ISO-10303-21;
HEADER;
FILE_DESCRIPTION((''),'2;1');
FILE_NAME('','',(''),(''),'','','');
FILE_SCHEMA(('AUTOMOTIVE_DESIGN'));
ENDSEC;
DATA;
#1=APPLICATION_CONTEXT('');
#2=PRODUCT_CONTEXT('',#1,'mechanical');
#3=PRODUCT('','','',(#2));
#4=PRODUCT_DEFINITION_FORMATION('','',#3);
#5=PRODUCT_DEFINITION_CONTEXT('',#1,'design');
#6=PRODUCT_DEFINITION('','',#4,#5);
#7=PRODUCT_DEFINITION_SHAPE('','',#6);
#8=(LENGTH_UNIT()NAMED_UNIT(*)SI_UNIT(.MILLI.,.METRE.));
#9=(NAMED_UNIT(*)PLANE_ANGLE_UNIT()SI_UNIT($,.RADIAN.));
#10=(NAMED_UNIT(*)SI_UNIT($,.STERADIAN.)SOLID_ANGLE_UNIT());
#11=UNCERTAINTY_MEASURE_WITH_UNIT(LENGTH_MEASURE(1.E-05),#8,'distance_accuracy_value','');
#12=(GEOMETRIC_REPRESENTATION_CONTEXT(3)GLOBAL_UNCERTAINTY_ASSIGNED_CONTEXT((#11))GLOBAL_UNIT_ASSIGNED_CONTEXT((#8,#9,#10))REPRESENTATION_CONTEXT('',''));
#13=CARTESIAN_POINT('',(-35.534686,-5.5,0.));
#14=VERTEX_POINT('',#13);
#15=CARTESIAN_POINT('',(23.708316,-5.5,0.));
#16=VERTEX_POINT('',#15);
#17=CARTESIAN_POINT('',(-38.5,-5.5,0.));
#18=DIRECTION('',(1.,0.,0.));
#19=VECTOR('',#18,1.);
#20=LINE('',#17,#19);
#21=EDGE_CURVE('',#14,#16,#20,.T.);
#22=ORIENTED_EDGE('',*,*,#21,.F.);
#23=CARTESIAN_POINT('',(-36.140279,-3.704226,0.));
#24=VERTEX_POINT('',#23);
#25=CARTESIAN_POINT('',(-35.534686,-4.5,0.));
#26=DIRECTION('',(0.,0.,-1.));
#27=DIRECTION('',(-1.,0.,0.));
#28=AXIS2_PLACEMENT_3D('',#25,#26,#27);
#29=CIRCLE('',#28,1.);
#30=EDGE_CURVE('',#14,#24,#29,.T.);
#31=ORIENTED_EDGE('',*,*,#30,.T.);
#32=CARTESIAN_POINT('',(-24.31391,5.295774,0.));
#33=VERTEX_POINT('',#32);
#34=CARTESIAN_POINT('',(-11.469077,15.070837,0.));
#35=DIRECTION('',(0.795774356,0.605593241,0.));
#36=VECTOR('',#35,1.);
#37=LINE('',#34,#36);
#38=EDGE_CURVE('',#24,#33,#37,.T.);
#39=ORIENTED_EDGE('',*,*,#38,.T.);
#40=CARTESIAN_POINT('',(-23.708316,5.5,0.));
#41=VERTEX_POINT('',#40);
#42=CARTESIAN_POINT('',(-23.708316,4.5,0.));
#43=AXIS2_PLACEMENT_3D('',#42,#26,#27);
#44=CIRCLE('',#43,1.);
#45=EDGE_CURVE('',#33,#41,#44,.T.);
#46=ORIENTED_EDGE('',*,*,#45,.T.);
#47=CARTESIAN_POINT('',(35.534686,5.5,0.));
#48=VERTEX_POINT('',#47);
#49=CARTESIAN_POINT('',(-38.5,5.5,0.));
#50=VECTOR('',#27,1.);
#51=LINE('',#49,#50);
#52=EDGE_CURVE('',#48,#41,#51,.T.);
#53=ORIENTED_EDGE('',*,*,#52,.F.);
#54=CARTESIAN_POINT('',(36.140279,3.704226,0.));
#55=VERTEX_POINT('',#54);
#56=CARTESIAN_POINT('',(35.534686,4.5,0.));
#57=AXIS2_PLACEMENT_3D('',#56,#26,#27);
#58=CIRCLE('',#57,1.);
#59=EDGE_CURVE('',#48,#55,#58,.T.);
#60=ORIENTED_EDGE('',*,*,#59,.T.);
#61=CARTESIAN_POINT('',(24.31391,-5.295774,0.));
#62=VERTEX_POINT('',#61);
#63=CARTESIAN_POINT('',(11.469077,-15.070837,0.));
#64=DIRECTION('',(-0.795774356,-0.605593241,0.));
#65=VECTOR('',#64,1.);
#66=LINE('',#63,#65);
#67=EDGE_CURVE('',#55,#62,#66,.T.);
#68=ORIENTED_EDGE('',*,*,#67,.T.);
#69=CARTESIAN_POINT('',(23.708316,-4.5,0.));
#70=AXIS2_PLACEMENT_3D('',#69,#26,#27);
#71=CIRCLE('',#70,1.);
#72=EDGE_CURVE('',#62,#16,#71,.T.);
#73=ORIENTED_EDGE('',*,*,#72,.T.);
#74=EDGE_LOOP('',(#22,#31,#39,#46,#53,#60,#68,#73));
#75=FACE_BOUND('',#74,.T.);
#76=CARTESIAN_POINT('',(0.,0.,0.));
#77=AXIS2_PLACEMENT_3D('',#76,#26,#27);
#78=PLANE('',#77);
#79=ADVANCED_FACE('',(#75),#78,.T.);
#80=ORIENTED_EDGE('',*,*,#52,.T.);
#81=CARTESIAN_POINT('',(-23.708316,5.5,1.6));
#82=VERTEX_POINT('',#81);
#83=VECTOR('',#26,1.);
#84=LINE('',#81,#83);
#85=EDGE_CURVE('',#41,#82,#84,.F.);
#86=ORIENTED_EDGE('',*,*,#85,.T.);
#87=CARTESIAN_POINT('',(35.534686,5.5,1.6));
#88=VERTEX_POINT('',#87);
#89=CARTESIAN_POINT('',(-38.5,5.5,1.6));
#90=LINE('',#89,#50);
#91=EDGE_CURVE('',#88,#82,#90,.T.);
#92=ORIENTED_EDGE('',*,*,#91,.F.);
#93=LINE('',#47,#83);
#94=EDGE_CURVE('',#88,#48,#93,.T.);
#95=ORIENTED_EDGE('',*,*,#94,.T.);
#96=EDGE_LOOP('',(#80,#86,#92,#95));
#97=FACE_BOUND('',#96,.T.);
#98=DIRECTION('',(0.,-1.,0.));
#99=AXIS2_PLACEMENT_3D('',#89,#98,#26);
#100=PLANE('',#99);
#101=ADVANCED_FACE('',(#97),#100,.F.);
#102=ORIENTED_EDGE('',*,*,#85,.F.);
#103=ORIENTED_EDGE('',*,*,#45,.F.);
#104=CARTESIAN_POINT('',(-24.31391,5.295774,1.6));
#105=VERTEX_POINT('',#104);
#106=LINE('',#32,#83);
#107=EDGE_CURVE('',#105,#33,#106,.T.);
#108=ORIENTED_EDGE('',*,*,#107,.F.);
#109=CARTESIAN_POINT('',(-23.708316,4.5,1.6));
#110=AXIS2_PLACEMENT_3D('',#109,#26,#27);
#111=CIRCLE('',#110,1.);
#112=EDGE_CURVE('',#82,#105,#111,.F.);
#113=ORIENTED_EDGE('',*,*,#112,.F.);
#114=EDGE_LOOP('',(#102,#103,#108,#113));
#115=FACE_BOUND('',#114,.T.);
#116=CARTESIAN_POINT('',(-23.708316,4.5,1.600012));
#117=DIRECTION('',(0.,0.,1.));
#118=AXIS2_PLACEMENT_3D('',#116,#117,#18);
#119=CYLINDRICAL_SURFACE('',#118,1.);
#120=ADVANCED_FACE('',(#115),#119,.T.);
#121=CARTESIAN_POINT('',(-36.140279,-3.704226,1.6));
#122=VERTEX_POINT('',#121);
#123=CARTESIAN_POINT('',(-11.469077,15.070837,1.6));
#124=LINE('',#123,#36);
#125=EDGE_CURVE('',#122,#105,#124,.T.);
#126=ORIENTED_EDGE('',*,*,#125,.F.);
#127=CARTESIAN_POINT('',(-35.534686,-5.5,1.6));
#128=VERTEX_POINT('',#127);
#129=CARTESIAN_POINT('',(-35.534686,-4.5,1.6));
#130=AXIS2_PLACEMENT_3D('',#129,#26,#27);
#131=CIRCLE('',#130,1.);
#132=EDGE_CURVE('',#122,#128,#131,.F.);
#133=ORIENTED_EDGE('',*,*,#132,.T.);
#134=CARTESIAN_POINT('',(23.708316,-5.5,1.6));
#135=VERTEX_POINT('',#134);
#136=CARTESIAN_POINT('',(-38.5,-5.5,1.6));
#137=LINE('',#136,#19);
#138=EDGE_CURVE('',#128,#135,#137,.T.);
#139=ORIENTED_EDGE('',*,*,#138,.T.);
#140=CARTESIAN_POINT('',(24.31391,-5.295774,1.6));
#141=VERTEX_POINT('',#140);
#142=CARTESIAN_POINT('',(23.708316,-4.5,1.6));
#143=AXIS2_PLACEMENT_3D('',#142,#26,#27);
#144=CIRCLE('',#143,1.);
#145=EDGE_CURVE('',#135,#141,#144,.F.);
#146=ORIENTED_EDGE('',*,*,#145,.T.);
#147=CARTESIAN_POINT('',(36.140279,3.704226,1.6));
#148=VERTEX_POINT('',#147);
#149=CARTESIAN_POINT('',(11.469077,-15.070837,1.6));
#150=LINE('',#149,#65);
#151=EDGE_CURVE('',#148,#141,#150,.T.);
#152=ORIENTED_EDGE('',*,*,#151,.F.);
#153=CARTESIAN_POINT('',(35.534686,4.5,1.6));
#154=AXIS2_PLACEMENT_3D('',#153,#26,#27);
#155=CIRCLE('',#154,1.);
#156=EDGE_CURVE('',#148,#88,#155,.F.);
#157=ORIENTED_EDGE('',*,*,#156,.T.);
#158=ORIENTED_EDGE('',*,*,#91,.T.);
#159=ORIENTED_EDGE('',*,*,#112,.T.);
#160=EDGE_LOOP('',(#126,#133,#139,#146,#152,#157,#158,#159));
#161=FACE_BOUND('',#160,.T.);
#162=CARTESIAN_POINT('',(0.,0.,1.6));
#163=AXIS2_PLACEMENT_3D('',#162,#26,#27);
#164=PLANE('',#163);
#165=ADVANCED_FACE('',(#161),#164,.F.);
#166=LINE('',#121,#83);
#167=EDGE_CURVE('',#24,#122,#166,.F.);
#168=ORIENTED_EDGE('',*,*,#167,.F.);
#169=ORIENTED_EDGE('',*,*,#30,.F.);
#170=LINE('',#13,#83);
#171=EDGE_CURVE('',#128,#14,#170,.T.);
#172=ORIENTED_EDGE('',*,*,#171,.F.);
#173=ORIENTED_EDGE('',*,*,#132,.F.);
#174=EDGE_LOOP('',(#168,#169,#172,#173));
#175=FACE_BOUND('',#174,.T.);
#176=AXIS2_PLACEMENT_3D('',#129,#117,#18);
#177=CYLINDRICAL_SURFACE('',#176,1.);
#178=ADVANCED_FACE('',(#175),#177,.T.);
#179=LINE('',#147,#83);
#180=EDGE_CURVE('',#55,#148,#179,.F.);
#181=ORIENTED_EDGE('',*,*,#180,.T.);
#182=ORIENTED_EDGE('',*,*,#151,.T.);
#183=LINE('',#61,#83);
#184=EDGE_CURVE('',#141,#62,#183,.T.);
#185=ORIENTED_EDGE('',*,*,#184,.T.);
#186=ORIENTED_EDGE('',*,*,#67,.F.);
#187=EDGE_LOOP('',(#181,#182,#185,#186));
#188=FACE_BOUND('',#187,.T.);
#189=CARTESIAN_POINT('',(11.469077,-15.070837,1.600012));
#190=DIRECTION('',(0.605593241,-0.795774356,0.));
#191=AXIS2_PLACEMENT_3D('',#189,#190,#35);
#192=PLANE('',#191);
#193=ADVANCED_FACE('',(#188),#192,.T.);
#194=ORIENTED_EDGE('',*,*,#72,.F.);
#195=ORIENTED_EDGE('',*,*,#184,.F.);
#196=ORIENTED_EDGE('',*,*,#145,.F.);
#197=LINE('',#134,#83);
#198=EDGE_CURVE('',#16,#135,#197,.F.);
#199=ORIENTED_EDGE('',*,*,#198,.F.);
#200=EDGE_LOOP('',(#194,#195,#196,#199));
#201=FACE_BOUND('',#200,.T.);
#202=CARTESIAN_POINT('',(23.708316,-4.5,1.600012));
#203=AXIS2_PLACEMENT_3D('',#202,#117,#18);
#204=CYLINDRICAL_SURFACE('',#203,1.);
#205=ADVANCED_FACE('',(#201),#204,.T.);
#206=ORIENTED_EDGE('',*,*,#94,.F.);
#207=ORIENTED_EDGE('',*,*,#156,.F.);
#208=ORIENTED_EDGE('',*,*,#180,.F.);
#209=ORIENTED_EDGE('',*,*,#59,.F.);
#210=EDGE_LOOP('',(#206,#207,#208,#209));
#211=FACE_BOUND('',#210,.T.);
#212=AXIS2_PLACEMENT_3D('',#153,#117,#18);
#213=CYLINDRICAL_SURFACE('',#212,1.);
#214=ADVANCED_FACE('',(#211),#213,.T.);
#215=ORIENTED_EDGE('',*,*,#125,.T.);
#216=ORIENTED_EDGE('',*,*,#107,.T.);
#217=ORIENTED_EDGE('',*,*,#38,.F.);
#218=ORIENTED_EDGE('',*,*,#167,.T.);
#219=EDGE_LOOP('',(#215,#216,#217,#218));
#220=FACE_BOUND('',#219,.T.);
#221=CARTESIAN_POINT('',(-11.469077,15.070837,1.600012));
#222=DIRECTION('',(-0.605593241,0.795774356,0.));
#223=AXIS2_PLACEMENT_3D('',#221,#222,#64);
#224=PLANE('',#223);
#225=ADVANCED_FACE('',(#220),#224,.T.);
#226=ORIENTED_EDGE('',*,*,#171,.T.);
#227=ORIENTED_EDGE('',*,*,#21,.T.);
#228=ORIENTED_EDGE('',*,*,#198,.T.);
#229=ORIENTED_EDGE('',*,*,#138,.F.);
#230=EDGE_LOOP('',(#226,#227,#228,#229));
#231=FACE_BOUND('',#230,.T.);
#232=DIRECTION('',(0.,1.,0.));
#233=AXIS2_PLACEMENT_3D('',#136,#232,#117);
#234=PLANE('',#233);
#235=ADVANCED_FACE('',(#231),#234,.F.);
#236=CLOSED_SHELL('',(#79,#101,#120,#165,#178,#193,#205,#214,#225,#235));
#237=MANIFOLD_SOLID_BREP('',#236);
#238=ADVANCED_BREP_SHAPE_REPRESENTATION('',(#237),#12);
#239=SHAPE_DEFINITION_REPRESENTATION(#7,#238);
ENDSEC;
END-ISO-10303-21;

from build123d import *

# Parameters (mm, degrees)
SKETCH1_W               = 77
SKETCH1_H               = 11
BOSS_EXTRUDE1_DEPTH     = 1.6
CUT_EXTRUDE1_DEPTH      = 39.923771657
CUT_EXTRUDE1_DEPTH_BACK = 10
FILLET2_R               = 1


with BuildPart() as part:
    # Sketch1 → Boss-Extrude1 (new body)
    with BuildSketch(Plane.XY):
        Rectangle(SKETCH1_W, SKETCH1_H)
    extrude(amount=BOSS_EXTRUDE1_DEPTH)

    # Sketch2 → Cut-Extrude1 (cut, two sides: drawn at the far end of the back side and taken through both)
    with BuildSketch(Plane.XY.offset(1.6).offset(-CUT_EXTRUDE1_DEPTH_BACK)):
        Polygon((38.5, -5.5), (38.5, 5.5), (24.04554885, -5.5), align=None)
        Polygon((-38.5, -5.5), (-24.04554885, 5.5), (-38.5, 5.5), align=None)
    extrude(amount=CUT_EXTRUDE1_DEPTH + CUT_EXTRUDE1_DEPTH_BACK, mode=Mode.SUBTRACT)

    # Fillet2
    fillet2_edges = [part.edges().sort_by_distance(p)[0] for p in [
        (24.04554885, -5.5, 0.8),
        (-24.04554885, 5.5, 0.8),
        (-38.5, -5.5, 0.8),
        (38.5, 5.5, 0.8),
    ]]
    fillet(fillet2_edges, radius=FILLET2_R)


solid = part.part
